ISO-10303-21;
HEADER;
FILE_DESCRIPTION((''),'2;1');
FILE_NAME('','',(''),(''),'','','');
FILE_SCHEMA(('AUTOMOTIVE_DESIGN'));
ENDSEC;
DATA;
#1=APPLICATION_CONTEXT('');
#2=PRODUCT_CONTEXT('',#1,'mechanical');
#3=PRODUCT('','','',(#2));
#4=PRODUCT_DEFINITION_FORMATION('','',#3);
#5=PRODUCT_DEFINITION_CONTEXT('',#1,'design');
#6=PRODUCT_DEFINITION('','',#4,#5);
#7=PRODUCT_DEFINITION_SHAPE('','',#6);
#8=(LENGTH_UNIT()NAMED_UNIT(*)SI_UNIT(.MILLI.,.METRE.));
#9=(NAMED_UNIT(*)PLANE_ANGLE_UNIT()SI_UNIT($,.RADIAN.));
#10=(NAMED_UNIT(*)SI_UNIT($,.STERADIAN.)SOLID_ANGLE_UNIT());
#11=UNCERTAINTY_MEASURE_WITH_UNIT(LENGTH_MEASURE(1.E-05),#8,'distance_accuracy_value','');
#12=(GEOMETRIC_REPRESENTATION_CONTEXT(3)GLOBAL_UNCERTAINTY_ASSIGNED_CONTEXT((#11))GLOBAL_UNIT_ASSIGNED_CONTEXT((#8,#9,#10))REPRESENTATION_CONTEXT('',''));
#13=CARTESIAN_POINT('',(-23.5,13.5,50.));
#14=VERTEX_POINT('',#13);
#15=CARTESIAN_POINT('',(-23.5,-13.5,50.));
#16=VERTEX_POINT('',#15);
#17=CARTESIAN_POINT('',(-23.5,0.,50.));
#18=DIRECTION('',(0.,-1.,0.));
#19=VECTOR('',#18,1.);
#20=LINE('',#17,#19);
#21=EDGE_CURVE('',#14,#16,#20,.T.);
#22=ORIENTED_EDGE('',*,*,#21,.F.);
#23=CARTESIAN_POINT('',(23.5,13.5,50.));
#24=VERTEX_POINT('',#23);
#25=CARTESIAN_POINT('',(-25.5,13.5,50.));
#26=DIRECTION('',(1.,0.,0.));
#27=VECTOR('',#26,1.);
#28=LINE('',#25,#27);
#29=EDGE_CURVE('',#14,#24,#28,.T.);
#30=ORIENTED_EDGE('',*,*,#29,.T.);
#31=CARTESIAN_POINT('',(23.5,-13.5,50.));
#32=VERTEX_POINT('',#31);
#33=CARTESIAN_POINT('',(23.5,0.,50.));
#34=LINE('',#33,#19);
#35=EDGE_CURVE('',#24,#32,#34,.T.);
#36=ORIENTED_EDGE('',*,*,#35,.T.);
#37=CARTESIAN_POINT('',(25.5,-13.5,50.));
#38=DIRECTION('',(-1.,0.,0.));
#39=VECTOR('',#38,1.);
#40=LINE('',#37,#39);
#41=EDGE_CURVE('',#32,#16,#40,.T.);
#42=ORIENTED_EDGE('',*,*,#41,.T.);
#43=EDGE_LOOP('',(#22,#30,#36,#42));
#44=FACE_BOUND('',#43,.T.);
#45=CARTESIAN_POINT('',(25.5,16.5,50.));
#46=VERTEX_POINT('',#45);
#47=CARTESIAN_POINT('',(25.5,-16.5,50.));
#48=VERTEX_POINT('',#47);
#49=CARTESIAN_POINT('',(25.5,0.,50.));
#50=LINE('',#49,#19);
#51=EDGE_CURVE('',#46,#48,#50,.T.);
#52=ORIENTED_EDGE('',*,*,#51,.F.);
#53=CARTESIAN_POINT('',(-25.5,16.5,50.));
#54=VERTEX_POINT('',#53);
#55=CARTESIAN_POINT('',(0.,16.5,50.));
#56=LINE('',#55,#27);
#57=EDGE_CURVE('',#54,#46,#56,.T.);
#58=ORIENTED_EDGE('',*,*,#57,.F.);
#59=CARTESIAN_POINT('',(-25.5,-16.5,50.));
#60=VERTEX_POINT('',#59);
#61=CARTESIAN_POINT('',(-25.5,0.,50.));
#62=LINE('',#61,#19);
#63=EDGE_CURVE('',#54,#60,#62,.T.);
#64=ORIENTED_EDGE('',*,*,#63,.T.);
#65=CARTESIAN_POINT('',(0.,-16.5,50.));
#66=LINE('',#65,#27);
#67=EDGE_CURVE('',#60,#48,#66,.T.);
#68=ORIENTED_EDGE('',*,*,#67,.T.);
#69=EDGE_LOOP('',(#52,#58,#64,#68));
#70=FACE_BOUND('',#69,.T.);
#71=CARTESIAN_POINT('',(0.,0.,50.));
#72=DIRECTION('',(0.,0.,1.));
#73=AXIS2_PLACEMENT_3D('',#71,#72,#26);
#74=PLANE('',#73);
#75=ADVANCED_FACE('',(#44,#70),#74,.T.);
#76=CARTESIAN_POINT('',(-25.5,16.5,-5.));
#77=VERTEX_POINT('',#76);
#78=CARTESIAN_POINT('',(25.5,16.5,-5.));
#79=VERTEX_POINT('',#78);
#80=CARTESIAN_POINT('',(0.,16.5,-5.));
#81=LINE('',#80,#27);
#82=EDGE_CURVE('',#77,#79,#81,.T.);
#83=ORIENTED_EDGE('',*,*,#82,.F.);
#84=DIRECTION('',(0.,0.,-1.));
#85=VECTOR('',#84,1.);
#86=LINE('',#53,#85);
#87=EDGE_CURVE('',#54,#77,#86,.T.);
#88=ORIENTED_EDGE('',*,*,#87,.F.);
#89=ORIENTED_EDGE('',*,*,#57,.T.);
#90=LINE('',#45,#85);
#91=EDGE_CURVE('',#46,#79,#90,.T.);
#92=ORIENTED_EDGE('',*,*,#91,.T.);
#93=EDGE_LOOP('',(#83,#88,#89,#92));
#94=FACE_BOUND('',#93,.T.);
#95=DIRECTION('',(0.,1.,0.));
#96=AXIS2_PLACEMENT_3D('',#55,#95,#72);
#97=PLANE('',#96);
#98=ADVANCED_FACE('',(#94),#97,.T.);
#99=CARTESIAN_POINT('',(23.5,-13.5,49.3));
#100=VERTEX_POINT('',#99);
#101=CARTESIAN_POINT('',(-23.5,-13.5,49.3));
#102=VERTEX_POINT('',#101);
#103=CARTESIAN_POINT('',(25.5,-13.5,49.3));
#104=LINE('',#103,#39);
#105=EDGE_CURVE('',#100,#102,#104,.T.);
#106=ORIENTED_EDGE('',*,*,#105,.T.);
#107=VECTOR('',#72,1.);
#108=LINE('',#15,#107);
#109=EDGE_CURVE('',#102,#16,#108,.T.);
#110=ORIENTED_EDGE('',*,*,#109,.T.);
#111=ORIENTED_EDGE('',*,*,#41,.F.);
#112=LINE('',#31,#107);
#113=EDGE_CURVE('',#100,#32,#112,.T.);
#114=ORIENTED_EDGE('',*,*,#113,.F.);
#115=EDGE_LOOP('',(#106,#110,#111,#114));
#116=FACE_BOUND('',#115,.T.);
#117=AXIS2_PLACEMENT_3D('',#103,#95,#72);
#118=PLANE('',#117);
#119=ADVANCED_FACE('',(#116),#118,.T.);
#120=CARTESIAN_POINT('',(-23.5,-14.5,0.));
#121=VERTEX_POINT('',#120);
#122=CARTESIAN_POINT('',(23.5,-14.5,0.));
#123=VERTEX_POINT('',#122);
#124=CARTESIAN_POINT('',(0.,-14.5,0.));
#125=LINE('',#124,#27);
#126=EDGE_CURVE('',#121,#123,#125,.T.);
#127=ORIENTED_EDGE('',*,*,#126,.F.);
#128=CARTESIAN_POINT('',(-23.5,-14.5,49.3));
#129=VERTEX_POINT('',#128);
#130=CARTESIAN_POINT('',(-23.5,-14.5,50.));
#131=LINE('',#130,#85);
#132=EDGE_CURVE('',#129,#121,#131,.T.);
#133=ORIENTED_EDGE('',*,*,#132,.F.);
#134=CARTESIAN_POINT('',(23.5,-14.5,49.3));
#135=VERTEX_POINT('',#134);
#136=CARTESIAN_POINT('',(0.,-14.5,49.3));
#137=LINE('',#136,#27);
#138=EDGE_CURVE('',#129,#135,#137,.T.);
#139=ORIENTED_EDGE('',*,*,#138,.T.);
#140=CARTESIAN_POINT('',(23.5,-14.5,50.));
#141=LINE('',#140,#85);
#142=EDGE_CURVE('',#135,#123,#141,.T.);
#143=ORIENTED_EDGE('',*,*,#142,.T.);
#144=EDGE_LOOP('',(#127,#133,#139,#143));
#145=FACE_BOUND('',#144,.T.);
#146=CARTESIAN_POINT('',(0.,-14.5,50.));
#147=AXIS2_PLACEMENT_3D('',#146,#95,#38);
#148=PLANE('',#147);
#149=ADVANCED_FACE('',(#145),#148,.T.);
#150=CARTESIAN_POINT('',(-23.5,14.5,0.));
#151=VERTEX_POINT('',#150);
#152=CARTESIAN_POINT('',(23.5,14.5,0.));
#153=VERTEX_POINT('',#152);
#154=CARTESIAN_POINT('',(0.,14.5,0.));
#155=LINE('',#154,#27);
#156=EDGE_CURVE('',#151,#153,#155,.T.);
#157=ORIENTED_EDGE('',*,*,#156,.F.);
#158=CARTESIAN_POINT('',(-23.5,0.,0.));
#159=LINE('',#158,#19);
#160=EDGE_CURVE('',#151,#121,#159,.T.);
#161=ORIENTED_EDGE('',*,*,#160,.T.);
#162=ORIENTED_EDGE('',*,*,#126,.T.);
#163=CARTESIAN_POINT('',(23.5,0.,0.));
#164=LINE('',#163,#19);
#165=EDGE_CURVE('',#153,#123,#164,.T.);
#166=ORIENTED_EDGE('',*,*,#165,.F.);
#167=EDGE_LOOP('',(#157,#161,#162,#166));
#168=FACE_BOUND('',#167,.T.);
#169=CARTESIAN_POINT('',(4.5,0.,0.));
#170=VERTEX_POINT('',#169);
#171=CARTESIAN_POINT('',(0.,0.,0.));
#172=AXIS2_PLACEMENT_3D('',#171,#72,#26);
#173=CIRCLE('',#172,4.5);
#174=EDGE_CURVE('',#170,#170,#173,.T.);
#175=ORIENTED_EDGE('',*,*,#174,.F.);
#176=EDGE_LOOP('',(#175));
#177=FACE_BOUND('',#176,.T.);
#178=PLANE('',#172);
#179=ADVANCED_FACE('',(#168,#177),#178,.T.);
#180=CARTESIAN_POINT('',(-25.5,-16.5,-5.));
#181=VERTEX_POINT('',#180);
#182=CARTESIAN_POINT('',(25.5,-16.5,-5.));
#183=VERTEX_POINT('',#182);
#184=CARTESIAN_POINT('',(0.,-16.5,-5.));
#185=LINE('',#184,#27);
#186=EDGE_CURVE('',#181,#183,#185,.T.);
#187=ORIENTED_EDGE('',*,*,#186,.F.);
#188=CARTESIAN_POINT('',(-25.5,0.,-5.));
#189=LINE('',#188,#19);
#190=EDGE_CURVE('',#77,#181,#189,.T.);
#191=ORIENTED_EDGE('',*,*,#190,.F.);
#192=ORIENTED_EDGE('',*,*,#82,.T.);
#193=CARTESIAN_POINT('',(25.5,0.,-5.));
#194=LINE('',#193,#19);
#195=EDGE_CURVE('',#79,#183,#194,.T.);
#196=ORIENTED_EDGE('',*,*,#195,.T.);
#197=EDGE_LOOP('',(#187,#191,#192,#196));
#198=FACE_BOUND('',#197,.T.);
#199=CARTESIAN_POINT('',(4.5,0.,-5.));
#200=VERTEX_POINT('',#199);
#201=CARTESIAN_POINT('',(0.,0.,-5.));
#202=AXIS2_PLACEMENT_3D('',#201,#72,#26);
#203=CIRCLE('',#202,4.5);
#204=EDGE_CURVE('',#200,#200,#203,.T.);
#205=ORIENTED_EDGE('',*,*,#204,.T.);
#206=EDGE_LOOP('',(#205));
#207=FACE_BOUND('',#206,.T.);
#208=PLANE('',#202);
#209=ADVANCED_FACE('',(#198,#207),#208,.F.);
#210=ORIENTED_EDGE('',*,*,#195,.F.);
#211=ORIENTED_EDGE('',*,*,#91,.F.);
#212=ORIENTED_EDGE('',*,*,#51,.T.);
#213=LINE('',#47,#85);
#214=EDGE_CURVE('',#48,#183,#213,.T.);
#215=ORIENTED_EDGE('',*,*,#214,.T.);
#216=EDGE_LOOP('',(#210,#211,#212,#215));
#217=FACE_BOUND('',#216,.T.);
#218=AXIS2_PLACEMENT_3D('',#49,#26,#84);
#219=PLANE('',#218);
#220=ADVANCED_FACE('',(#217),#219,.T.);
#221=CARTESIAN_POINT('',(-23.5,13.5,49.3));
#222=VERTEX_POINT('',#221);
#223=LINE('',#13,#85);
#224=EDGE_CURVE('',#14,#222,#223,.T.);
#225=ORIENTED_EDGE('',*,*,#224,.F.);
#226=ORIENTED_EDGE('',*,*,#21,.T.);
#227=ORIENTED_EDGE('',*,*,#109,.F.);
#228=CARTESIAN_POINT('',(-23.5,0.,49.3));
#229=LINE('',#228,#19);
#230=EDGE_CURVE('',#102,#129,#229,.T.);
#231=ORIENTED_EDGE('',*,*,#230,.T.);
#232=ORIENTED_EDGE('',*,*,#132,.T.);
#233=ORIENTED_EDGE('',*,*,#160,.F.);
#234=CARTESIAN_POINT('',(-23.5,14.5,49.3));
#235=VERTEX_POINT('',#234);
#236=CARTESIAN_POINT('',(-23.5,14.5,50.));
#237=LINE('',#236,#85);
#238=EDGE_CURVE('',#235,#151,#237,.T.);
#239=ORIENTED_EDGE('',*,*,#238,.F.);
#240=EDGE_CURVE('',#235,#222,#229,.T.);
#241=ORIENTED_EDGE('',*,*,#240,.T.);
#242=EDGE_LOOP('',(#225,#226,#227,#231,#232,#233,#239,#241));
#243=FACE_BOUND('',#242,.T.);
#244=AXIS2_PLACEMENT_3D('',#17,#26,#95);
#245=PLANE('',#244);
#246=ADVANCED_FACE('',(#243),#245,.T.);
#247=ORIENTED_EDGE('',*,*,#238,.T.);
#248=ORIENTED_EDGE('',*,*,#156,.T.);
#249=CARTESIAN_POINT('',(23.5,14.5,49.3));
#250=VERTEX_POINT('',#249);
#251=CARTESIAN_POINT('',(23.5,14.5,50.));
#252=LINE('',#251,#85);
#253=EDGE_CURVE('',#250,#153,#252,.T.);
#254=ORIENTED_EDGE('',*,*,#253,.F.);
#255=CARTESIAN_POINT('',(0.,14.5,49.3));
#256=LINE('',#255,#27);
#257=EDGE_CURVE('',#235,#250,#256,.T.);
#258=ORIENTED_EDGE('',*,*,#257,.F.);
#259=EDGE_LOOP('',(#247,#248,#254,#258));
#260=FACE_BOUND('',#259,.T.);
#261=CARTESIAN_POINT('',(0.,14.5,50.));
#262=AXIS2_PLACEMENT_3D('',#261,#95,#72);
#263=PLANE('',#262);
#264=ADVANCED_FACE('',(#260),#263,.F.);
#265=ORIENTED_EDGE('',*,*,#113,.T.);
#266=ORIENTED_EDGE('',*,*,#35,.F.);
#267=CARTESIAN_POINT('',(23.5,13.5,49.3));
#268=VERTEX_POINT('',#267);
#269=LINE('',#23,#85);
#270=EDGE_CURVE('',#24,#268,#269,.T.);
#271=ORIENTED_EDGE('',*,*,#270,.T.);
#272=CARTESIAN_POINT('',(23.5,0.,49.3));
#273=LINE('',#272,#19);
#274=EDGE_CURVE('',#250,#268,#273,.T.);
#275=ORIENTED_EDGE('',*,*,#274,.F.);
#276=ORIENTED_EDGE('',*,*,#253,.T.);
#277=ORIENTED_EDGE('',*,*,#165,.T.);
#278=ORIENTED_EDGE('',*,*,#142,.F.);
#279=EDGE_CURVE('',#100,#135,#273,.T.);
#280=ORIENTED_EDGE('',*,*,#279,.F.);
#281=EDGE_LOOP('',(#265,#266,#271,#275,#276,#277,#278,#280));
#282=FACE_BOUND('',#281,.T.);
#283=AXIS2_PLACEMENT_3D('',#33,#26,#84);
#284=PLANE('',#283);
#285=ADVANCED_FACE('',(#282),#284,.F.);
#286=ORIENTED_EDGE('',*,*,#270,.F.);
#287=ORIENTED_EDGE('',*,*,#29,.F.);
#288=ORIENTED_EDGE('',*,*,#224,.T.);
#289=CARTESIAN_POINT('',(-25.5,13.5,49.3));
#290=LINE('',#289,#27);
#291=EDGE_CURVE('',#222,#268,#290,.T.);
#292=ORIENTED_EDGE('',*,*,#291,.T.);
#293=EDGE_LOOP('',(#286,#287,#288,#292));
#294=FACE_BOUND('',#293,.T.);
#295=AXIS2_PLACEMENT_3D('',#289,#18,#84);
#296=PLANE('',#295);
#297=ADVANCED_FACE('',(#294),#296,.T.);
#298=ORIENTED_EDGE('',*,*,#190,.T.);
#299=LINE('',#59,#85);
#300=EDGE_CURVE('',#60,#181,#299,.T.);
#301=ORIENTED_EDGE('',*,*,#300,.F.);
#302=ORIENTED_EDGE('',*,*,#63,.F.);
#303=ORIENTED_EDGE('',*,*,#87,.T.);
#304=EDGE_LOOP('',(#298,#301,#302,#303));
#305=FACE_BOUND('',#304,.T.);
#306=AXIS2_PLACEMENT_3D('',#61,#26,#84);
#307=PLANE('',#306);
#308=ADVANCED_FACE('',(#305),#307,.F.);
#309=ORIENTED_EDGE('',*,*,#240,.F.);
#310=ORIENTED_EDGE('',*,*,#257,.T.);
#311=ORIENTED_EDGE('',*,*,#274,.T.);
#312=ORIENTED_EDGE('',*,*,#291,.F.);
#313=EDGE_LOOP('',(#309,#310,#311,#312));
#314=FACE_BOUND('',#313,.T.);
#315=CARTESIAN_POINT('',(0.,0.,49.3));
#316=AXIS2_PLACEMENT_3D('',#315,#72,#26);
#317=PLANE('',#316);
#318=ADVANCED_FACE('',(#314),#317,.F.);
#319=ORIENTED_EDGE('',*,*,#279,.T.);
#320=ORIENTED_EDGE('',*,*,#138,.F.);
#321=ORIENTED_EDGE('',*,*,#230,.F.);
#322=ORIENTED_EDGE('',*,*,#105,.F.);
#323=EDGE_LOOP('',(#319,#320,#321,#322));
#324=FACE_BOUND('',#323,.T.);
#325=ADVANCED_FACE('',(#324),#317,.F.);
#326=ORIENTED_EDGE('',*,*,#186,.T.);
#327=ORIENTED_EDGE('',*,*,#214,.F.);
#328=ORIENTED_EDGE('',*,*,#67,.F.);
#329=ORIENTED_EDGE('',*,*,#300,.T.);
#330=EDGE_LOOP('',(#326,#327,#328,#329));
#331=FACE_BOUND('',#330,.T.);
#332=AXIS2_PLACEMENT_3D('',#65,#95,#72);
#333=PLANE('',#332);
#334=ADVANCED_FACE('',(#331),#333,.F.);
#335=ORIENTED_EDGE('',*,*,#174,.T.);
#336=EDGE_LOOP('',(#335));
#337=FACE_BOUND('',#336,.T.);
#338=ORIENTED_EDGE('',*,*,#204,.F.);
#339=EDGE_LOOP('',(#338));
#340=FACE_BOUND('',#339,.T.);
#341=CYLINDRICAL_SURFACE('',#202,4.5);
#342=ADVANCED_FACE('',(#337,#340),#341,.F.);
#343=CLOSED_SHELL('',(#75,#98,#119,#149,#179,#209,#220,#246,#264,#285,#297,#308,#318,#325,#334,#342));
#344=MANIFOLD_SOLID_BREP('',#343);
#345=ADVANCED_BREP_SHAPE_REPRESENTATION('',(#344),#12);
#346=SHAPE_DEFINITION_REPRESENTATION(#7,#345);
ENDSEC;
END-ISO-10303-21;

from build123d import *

# Parameters (mm, degrees)
SKETCH1_W           = 51
SKETCH1_H           = 33
SKETCH1_W_2         = 47
SKETCH1_H_2         = 29
BOSS_EXTRUDE1_DEPTH = 50
SKETCH1_3_W         = 51
SKETCH1_3_H         = 33
SKETCH1_3_R         = 4.5
BOSS_EXTRUDE2_DEPTH = 5
SKETCH2_W           = 51
SKETCH2_H           = 3
BOSS_EXTRUDE3_DEPTH = 0.7


with BuildPart() as part:
    # Sketch1 → Boss-Extrude1 (new body)
    with BuildSketch(Plane.XY):
        Rectangle(SKETCH1_W, SKETCH1_H)
        Rectangle(SKETCH1_W_2, SKETCH1_H_2, mode=Mode.SUBTRACT)
    extrude(amount=BOSS_EXTRUDE1_DEPTH)

    # Sketch1<3> → Boss-Extrude2 (add)
    with BuildSketch(Plane.XY):
        Rectangle(SKETCH1_3_W, SKETCH1_3_H)
        Circle(SKETCH1_3_R, mode=Mode.SUBTRACT)
    extrude(amount=-BOSS_EXTRUDE2_DEPTH)

    # Sketch2 → Boss-Extrude3 (add)
    with BuildSketch(Plane.XY.offset(50)):
        with Locations((0, 15)):
            Rectangle(SKETCH2_W, SKETCH2_H)
        with Locations((0, -15)):
            Rectangle(SKETCH2_W, SKETCH2_H)
    extrude(amount=-BOSS_EXTRUDE3_DEPTH)


solid = part.part
